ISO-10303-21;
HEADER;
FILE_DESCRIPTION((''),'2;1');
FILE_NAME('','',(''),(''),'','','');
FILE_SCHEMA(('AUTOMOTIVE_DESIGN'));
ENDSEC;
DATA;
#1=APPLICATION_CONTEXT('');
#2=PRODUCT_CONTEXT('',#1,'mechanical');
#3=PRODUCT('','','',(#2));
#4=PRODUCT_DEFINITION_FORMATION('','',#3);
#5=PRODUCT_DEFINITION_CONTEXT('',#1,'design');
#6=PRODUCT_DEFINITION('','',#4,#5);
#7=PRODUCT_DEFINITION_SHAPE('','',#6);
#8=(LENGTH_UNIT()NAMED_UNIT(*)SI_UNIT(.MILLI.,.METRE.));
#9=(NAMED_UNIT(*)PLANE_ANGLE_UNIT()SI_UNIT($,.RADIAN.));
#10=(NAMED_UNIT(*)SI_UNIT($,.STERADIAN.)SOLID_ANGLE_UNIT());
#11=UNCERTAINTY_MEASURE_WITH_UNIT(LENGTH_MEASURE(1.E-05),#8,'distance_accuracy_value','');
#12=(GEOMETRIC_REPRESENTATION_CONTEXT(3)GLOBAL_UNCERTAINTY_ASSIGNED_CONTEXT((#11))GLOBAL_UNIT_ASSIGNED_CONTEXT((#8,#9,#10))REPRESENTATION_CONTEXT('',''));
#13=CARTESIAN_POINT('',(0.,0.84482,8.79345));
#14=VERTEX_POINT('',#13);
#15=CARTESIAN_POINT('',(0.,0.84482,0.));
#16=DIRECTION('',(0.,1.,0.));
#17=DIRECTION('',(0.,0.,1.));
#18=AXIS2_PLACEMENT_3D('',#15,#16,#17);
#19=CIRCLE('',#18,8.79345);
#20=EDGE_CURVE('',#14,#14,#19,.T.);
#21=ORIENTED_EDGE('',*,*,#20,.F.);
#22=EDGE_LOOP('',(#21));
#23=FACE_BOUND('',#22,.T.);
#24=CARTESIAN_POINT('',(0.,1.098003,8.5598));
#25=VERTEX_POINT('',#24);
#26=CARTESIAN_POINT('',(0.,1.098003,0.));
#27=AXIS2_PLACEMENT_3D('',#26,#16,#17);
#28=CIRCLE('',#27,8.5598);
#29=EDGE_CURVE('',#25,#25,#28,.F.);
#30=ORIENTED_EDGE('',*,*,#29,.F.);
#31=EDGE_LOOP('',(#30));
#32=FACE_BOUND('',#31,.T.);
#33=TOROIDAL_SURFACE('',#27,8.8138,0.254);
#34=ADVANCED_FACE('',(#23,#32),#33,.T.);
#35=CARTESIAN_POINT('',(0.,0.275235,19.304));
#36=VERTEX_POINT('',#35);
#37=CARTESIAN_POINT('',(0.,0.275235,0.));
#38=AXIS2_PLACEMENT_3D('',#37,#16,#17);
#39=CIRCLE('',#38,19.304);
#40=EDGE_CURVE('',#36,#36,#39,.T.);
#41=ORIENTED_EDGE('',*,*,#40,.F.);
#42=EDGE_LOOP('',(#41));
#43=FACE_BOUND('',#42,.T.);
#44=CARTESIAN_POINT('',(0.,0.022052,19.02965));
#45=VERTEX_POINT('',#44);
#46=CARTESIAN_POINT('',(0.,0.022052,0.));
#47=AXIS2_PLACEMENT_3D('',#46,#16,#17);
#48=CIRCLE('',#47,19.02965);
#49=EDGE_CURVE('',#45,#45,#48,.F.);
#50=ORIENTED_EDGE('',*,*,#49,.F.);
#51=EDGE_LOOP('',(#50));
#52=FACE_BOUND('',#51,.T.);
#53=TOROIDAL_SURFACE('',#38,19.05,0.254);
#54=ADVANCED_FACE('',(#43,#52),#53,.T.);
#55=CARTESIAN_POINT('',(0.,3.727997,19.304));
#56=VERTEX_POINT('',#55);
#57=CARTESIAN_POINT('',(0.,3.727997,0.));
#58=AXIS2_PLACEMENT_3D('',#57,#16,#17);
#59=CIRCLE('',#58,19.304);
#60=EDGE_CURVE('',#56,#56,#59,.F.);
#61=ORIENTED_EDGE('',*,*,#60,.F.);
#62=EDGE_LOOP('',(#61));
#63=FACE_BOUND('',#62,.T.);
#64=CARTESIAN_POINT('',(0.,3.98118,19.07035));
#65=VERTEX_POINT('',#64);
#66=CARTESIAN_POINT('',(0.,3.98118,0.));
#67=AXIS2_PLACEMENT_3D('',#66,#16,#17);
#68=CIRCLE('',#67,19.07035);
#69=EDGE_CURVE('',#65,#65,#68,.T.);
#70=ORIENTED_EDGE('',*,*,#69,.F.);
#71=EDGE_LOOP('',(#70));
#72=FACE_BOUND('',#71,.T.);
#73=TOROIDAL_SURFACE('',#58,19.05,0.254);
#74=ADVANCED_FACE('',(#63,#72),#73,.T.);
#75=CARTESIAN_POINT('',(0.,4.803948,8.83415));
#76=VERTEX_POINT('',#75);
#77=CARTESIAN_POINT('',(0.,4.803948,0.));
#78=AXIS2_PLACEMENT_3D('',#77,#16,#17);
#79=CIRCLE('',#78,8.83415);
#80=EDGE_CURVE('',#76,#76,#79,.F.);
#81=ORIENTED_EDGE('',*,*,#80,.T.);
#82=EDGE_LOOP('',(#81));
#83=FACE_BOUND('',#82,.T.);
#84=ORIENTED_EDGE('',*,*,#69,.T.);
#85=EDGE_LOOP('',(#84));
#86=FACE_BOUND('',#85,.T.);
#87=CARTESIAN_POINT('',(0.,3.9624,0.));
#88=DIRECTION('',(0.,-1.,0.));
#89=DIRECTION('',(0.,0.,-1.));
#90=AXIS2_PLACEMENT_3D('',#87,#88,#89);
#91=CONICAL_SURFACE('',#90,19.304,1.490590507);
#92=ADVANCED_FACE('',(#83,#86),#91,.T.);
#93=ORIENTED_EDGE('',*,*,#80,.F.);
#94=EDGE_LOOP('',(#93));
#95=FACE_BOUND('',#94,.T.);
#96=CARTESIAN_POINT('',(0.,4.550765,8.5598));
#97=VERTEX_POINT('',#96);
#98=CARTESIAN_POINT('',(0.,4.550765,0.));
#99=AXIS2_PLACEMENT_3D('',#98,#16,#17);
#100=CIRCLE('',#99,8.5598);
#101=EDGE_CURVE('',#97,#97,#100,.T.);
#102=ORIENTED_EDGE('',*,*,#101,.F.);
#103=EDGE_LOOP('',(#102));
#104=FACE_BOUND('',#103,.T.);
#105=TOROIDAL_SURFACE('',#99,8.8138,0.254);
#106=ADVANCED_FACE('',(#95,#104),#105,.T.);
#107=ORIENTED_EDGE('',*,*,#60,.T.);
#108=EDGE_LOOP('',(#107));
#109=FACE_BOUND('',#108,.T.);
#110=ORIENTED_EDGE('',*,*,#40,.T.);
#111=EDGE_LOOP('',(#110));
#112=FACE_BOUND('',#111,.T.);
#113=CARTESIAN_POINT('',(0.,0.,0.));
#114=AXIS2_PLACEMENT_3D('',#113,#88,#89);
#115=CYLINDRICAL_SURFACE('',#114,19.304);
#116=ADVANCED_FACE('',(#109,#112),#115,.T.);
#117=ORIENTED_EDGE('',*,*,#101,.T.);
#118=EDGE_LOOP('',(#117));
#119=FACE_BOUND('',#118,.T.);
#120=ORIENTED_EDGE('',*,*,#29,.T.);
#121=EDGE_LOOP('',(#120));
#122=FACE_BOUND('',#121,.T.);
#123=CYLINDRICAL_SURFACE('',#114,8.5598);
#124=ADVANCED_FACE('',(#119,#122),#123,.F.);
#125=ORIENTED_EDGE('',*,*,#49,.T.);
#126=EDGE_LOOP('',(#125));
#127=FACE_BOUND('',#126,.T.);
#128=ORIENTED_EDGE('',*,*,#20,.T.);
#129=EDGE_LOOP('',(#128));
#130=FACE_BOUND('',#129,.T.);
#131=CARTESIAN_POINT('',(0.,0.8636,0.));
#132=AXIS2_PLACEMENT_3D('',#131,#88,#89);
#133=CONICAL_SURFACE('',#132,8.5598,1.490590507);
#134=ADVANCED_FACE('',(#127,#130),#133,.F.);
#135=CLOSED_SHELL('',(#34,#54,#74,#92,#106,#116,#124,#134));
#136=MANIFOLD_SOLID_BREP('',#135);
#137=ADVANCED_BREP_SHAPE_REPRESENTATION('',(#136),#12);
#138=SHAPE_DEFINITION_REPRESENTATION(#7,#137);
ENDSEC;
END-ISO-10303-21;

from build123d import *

# Parameters (mm, degrees)
FILLET1_R = 0.254


with BuildPart() as part:
    # Sketch2 → Revolve1 (revolve)
    with BuildSketch(Plane(origin=(0, 0, 0), x_dir=(0, 0, -1), z_dir=(1, 0, 0))):
        Polygon((8.5598, 4.826), (8.5598, 0.8636), (19.304, 0), (19.304, 3.9624), align=None)
    revolve(axis=Axis((0, 0, 0), (0, 1, 0)))

    # Fillet1
    fillet1_edges = [part.edges().sort_by_distance(p)[0] for p in [
        (0, 3.9624, 19.304),
        (0, 0, 19.304),
        (0, 0.8636, 8.5598),
        (0, 4.826, 8.5598),
    ]]
    fillet(fillet1_edges, radius=FILLET1_R)


solid = part.part
